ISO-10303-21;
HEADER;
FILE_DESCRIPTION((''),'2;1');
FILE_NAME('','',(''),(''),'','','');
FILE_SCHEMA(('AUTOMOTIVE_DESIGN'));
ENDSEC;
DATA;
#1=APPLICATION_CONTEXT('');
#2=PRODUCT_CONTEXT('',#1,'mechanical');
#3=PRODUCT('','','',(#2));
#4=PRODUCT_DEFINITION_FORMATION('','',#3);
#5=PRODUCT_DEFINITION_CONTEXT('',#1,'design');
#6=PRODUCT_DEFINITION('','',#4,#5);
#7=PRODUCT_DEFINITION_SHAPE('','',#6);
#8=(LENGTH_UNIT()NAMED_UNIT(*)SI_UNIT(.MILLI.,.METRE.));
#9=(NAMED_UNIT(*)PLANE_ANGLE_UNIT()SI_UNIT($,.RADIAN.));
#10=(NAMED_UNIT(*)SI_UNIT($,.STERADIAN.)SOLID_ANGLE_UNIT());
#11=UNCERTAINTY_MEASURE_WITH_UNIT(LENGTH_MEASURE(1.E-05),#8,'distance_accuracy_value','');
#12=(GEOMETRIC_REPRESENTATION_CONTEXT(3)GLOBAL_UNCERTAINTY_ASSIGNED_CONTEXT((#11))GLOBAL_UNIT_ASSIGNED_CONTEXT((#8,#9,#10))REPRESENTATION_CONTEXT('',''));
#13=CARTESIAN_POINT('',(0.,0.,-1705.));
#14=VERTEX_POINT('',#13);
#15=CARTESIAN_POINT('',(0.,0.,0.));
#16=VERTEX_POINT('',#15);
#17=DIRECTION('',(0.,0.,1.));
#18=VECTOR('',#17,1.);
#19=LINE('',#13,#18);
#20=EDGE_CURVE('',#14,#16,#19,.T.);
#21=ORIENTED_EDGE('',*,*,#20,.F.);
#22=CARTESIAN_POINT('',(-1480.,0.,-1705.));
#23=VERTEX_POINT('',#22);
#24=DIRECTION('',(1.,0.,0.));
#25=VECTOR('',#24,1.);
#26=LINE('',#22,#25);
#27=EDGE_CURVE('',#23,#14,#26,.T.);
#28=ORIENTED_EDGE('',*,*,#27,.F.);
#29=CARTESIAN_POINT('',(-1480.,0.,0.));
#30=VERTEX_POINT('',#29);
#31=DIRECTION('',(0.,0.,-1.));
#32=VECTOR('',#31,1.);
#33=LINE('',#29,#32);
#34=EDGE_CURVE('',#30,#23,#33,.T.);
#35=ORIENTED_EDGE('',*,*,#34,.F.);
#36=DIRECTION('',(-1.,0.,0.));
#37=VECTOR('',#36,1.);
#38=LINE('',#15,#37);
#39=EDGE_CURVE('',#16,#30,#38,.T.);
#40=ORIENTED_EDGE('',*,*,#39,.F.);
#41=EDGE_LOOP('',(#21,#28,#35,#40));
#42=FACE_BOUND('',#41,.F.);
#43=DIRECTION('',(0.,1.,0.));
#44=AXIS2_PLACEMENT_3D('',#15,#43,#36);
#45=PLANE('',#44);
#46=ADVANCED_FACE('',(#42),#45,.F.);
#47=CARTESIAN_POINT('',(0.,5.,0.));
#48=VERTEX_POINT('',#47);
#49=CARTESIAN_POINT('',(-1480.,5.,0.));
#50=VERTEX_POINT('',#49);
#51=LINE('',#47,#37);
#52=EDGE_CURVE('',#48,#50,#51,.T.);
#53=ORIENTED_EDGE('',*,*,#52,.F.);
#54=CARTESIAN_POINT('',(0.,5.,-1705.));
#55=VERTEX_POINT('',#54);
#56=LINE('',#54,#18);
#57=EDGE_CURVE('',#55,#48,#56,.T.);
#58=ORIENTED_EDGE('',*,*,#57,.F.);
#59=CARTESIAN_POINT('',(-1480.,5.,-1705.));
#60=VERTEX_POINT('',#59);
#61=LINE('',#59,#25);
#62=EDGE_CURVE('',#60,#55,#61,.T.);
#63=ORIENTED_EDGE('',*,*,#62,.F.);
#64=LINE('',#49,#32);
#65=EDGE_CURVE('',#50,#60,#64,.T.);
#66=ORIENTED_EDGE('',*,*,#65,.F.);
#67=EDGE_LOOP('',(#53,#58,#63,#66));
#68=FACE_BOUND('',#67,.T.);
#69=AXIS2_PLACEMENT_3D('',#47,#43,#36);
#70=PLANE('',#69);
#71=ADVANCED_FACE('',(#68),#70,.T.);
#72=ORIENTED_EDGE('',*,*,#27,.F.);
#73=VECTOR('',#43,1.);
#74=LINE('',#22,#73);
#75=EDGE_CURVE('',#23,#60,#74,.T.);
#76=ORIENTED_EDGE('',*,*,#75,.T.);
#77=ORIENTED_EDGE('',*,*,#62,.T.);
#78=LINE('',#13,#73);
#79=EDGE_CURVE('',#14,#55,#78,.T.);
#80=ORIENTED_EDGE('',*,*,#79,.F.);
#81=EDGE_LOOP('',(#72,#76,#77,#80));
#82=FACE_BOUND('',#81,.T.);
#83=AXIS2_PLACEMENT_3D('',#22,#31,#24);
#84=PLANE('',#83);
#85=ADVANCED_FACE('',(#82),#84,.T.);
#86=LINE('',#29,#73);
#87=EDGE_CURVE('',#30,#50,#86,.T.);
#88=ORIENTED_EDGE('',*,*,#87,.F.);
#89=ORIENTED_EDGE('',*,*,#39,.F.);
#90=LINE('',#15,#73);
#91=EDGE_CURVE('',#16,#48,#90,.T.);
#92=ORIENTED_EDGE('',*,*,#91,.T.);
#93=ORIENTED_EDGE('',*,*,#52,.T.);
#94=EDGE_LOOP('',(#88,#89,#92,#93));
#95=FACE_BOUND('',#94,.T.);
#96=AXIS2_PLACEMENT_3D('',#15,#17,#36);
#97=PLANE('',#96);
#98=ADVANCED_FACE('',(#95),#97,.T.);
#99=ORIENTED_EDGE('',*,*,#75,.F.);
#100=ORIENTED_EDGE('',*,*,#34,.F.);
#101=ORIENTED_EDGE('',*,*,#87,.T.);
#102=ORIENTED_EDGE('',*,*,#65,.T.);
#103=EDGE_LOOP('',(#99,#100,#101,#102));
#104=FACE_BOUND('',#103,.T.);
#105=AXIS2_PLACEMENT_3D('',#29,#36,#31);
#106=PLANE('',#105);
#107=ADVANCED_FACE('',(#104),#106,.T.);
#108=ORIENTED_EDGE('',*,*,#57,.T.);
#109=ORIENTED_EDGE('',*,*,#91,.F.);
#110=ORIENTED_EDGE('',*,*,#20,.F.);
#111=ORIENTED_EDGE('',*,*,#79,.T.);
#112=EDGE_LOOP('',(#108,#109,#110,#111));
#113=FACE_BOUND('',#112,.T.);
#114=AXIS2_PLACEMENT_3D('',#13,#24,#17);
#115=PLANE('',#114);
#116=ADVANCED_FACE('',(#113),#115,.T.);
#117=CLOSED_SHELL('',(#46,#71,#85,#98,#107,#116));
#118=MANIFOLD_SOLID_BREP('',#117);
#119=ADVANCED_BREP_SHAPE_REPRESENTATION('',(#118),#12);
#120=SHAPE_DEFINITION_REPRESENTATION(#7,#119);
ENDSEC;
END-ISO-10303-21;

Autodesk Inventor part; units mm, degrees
ref_plane "YZ Plane" through (0, 0, 0) normal (1, 0, 0) x (0, 1, 0)
ref_plane "XZ Plane" through (0, 0, 0) normal (0, 1, 0) x (-1, 0, 0)
ref_plane "XY Plane" through (0, 0, 0) normal (0, 0, 1) x (1, 0, 0)
sketch "Sketch1" plane through (0, 0, 0) normal (0, 1, 0) x (-1, 0, 0)
  line L0 (0, 0) -> (1480, 0)
  line L1 (1480, 0) -> (1480, -1705)
  line L2 (1480, -1705) -> (0, -1705)
  line L3 (0, -1705) -> (0, 0)
  dimension "d0" = 1480
  dimension "d1" = 1705
extrude "Extrusion1" add sketch "Sketch1" along normal blind 5
properties part number "back" material "Polycarbonate, Clear"
